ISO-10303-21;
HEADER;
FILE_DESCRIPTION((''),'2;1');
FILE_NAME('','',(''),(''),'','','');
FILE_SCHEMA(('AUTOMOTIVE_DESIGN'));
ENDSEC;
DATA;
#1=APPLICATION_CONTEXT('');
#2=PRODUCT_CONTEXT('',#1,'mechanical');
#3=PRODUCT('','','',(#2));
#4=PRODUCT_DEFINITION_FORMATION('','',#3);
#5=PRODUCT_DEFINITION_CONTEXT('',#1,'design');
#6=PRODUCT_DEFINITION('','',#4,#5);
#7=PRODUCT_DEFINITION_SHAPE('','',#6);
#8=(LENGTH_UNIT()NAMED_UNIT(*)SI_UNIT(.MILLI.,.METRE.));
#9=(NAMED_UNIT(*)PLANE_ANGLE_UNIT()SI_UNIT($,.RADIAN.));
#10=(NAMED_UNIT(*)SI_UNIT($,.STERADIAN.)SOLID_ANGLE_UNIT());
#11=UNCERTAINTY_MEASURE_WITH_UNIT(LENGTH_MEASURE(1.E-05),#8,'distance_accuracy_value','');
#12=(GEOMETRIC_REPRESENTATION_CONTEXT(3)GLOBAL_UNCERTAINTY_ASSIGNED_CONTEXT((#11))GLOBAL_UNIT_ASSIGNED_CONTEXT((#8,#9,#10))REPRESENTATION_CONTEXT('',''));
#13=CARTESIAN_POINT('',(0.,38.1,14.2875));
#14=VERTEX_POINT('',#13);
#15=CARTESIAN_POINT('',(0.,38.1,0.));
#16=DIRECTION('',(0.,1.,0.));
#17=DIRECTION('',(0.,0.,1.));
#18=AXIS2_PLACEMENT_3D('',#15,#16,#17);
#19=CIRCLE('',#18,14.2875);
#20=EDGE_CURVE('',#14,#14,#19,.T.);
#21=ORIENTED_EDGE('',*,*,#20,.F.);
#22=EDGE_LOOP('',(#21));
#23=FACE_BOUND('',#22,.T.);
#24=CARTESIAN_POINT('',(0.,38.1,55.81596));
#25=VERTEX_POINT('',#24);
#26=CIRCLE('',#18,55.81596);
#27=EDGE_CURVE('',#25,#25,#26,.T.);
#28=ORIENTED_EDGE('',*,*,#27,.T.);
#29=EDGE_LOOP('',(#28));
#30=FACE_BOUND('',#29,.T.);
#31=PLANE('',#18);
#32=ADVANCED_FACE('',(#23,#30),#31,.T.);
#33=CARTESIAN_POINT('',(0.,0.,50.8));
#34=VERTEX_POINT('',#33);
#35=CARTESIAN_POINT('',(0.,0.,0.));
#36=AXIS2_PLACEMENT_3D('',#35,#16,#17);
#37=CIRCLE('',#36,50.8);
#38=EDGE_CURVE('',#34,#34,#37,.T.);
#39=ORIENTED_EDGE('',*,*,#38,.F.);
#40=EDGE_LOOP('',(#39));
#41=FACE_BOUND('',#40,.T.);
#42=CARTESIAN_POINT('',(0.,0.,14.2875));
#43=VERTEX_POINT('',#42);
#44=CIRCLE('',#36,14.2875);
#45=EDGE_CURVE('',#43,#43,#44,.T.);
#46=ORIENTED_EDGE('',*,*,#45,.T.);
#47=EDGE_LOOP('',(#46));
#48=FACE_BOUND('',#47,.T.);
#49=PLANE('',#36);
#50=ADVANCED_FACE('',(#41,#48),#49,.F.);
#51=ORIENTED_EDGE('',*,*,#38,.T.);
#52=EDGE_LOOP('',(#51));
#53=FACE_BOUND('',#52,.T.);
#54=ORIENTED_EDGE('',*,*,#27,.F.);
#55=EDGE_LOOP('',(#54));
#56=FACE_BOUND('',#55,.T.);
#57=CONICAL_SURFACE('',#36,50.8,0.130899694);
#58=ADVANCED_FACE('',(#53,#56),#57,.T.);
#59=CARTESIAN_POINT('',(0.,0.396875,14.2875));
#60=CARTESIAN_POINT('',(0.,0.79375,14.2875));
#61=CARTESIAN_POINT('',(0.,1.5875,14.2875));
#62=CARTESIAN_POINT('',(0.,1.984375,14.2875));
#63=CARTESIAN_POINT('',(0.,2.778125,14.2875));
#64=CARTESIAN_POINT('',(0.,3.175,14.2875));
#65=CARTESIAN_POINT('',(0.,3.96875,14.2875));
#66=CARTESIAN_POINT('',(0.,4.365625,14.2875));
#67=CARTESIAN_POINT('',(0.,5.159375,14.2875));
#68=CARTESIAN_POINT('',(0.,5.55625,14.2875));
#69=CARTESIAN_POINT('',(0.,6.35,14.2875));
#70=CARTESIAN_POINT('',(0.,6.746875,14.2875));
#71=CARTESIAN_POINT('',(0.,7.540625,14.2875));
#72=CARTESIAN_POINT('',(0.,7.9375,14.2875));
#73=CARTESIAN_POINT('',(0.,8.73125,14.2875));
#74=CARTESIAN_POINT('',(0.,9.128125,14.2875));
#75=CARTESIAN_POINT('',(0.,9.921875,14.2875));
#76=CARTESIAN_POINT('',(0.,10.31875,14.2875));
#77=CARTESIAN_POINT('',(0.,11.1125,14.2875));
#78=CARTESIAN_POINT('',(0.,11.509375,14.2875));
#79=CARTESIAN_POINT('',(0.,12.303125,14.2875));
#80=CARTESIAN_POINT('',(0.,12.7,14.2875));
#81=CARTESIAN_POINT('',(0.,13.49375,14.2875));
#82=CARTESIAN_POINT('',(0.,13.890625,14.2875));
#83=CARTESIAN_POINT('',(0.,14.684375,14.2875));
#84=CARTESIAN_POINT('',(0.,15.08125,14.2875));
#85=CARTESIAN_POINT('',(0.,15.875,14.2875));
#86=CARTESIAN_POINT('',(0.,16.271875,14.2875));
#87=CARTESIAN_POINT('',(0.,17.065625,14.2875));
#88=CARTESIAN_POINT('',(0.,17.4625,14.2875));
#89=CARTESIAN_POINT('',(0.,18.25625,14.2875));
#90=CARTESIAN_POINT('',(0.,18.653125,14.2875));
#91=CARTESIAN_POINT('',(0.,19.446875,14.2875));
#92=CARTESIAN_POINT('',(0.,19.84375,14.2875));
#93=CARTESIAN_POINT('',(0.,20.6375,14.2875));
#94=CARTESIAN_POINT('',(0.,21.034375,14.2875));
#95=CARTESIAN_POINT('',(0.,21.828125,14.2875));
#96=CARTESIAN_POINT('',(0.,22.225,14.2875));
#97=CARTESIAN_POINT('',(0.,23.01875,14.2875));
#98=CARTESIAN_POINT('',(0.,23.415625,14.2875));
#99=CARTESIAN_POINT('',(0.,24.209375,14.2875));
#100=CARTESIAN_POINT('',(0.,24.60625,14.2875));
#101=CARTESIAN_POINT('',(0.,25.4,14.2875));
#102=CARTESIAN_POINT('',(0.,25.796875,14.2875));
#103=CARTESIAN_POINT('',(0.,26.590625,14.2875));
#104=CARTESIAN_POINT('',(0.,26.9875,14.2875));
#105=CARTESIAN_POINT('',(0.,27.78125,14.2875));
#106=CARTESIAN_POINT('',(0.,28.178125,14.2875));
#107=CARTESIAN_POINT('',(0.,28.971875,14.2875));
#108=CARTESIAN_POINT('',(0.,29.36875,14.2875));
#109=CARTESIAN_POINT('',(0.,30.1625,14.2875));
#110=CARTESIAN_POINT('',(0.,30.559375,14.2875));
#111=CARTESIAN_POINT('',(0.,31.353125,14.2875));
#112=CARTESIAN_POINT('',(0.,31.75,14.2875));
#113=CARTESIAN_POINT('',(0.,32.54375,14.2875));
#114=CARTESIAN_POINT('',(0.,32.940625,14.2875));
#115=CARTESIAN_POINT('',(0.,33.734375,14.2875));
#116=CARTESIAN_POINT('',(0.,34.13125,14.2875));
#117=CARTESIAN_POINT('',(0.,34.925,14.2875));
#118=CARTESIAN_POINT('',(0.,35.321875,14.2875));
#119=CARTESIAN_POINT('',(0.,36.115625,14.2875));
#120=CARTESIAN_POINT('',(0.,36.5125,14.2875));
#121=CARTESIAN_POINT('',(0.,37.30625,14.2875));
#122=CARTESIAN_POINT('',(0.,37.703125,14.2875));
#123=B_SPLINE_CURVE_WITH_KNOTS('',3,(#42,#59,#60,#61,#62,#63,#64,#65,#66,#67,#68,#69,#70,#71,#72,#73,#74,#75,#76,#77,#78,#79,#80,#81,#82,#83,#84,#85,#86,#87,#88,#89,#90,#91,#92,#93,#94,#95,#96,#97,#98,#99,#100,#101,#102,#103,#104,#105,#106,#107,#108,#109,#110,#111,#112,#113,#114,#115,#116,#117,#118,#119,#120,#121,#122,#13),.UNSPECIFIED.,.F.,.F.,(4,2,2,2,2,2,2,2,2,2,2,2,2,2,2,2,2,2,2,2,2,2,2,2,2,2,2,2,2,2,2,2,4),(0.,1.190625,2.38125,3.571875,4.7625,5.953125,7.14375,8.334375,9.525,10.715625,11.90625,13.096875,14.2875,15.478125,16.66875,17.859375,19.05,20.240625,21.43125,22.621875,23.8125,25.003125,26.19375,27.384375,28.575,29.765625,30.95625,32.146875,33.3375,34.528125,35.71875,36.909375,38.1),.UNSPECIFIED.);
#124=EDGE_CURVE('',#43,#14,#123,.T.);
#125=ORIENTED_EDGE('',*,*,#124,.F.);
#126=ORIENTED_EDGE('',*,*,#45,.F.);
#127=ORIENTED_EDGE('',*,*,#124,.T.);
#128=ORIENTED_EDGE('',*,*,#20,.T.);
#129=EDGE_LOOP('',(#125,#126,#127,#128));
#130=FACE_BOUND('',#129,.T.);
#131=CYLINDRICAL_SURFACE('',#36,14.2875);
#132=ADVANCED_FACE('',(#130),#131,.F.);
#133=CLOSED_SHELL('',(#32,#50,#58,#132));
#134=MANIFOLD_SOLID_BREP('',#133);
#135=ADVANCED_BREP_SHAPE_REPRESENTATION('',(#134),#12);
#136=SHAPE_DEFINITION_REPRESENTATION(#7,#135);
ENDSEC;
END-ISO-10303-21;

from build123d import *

# Parameters (mm, degrees)
SKETCH2_R           = 50.8
BOSS_EXTRUDE3_DEPTH = 38.1
BOSS_EXTRUDE3_DRAFT = -7.5
SKETCH3_R           = 14.2875
CUT_EXTRUDE1_DEPTH  = 88.64960249


with BuildPart() as part:
    # Sketch2 → Boss-Extrude3 (with draft: the straight prism first)
    with BuildSketch(Plane(origin=(0, 0, 0), x_dir=(1, 0, 0), z_dir=(0, 1, 0))):
        Circle(SKETCH2_R)
    extrude(amount=BOSS_EXTRUDE3_DEPTH)
    # Boss-Extrude3: the draft: its side faces are tilted about the plane it starts from
    boss_extrude3_sides = [part.faces().sort_by_distance(p)[0] for p in [
        (-50.8, 19.05, 0),
    ]]
    draft(boss_extrude3_sides, Plane(origin=(0, 0, 0), x_dir=(1, 0, 0), z_dir=(0, 1, 0)), BOSS_EXTRUDE3_DRAFT)

    # Sketch3 → Cut-Extrude1 (cut, through all)
    with BuildSketch(Plane(origin=(0, 38.1, 0), x_dir=(1, 0, 0), z_dir=(0, 1, 0))):
        with Locations(Location((0, 0, 0), (0, 0, 270))):
            Circle(SKETCH3_R)
    extrude(amount=-CUT_EXTRUDE1_DEPTH, mode=Mode.SUBTRACT)


solid = part.part
